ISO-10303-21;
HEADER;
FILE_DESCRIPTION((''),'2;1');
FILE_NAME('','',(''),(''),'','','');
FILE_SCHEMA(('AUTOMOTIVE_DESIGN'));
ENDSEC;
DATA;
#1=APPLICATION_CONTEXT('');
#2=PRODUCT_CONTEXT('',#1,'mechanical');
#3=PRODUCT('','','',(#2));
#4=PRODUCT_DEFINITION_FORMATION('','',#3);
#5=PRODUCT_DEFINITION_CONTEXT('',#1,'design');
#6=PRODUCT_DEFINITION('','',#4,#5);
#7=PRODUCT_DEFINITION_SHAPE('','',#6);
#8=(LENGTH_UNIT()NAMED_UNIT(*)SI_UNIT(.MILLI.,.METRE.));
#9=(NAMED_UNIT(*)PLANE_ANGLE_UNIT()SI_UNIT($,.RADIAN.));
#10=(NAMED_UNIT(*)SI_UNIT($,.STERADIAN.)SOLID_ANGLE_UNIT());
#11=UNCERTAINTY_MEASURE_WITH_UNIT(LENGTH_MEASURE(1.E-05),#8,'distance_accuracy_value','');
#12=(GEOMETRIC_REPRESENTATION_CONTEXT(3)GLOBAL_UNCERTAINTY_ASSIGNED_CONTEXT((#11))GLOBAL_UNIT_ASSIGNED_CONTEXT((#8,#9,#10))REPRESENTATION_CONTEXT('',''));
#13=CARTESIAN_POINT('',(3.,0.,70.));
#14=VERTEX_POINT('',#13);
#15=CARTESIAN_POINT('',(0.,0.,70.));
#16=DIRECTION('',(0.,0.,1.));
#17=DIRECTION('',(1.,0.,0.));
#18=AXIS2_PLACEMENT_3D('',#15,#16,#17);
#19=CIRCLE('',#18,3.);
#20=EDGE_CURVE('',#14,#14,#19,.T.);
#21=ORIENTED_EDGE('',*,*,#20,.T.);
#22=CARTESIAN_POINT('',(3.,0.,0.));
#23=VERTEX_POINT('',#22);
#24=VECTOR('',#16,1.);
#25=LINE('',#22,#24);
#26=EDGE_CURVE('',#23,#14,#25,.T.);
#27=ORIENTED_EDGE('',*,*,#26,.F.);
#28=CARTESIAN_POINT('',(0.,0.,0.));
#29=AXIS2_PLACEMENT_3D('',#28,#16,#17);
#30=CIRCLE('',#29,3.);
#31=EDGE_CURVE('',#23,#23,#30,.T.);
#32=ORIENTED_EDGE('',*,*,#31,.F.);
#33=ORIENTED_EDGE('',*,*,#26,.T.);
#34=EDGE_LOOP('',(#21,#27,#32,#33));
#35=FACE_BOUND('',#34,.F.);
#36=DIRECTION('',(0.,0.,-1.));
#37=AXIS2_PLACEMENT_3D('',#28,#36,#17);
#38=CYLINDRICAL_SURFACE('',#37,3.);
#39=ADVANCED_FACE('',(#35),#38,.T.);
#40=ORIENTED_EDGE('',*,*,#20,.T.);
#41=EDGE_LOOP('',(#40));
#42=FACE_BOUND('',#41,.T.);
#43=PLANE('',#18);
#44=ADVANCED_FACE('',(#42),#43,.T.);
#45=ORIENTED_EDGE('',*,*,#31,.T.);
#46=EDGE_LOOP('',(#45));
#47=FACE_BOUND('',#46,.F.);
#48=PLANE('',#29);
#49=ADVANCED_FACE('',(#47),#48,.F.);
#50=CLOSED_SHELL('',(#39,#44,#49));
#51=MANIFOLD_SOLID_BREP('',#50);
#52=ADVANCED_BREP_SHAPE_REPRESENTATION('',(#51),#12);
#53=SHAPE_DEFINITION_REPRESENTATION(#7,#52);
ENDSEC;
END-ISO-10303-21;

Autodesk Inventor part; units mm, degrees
ref_plane "YZ Plane" through (0, 0, 0) normal (1, 0, 0) x (0, 1, 0)
ref_plane "XZ Plane" through (0, 0, 0) normal (0, 1, 0) x (-1, 0, 0)
ref_plane "XY Plane" through (0, 0, 0) normal (0, 0, 1) x (1, 0, 0)
sketch "スケッチ1" plane through (0, 0, 0) normal (1, 0, 0) x (0, 1, 0)
  point P0 (0, 0)
sketch "スケッチ2" plane through (0, 0, 0) normal (0, 0, 1) x (1, 0, 0)
  circle A0 centre (0, 0) radius 3
  dimension "d0" = 6
extrude "押し出し1" add sketch "スケッチ2" along normal blind 70
equation "\"BendRadius\" = Thickness"
equation "\"BendReliefWidth\" = Thickness"
equation "\"BendReliefDepth\" = 0.5 * Thickness"
equation "\"CornerReliefSize\" = 4 * Thickness"
equation "\"MinimumRemnant\" = 2 * Thickness"
equation "\"TransitionRadius\" = BendRadius"
equation "\"JacobiRadiusSize\" = BendRadius"
equation "\"GapSize\" = Thickness"
equation "\"Thickness\" = 0.5"
